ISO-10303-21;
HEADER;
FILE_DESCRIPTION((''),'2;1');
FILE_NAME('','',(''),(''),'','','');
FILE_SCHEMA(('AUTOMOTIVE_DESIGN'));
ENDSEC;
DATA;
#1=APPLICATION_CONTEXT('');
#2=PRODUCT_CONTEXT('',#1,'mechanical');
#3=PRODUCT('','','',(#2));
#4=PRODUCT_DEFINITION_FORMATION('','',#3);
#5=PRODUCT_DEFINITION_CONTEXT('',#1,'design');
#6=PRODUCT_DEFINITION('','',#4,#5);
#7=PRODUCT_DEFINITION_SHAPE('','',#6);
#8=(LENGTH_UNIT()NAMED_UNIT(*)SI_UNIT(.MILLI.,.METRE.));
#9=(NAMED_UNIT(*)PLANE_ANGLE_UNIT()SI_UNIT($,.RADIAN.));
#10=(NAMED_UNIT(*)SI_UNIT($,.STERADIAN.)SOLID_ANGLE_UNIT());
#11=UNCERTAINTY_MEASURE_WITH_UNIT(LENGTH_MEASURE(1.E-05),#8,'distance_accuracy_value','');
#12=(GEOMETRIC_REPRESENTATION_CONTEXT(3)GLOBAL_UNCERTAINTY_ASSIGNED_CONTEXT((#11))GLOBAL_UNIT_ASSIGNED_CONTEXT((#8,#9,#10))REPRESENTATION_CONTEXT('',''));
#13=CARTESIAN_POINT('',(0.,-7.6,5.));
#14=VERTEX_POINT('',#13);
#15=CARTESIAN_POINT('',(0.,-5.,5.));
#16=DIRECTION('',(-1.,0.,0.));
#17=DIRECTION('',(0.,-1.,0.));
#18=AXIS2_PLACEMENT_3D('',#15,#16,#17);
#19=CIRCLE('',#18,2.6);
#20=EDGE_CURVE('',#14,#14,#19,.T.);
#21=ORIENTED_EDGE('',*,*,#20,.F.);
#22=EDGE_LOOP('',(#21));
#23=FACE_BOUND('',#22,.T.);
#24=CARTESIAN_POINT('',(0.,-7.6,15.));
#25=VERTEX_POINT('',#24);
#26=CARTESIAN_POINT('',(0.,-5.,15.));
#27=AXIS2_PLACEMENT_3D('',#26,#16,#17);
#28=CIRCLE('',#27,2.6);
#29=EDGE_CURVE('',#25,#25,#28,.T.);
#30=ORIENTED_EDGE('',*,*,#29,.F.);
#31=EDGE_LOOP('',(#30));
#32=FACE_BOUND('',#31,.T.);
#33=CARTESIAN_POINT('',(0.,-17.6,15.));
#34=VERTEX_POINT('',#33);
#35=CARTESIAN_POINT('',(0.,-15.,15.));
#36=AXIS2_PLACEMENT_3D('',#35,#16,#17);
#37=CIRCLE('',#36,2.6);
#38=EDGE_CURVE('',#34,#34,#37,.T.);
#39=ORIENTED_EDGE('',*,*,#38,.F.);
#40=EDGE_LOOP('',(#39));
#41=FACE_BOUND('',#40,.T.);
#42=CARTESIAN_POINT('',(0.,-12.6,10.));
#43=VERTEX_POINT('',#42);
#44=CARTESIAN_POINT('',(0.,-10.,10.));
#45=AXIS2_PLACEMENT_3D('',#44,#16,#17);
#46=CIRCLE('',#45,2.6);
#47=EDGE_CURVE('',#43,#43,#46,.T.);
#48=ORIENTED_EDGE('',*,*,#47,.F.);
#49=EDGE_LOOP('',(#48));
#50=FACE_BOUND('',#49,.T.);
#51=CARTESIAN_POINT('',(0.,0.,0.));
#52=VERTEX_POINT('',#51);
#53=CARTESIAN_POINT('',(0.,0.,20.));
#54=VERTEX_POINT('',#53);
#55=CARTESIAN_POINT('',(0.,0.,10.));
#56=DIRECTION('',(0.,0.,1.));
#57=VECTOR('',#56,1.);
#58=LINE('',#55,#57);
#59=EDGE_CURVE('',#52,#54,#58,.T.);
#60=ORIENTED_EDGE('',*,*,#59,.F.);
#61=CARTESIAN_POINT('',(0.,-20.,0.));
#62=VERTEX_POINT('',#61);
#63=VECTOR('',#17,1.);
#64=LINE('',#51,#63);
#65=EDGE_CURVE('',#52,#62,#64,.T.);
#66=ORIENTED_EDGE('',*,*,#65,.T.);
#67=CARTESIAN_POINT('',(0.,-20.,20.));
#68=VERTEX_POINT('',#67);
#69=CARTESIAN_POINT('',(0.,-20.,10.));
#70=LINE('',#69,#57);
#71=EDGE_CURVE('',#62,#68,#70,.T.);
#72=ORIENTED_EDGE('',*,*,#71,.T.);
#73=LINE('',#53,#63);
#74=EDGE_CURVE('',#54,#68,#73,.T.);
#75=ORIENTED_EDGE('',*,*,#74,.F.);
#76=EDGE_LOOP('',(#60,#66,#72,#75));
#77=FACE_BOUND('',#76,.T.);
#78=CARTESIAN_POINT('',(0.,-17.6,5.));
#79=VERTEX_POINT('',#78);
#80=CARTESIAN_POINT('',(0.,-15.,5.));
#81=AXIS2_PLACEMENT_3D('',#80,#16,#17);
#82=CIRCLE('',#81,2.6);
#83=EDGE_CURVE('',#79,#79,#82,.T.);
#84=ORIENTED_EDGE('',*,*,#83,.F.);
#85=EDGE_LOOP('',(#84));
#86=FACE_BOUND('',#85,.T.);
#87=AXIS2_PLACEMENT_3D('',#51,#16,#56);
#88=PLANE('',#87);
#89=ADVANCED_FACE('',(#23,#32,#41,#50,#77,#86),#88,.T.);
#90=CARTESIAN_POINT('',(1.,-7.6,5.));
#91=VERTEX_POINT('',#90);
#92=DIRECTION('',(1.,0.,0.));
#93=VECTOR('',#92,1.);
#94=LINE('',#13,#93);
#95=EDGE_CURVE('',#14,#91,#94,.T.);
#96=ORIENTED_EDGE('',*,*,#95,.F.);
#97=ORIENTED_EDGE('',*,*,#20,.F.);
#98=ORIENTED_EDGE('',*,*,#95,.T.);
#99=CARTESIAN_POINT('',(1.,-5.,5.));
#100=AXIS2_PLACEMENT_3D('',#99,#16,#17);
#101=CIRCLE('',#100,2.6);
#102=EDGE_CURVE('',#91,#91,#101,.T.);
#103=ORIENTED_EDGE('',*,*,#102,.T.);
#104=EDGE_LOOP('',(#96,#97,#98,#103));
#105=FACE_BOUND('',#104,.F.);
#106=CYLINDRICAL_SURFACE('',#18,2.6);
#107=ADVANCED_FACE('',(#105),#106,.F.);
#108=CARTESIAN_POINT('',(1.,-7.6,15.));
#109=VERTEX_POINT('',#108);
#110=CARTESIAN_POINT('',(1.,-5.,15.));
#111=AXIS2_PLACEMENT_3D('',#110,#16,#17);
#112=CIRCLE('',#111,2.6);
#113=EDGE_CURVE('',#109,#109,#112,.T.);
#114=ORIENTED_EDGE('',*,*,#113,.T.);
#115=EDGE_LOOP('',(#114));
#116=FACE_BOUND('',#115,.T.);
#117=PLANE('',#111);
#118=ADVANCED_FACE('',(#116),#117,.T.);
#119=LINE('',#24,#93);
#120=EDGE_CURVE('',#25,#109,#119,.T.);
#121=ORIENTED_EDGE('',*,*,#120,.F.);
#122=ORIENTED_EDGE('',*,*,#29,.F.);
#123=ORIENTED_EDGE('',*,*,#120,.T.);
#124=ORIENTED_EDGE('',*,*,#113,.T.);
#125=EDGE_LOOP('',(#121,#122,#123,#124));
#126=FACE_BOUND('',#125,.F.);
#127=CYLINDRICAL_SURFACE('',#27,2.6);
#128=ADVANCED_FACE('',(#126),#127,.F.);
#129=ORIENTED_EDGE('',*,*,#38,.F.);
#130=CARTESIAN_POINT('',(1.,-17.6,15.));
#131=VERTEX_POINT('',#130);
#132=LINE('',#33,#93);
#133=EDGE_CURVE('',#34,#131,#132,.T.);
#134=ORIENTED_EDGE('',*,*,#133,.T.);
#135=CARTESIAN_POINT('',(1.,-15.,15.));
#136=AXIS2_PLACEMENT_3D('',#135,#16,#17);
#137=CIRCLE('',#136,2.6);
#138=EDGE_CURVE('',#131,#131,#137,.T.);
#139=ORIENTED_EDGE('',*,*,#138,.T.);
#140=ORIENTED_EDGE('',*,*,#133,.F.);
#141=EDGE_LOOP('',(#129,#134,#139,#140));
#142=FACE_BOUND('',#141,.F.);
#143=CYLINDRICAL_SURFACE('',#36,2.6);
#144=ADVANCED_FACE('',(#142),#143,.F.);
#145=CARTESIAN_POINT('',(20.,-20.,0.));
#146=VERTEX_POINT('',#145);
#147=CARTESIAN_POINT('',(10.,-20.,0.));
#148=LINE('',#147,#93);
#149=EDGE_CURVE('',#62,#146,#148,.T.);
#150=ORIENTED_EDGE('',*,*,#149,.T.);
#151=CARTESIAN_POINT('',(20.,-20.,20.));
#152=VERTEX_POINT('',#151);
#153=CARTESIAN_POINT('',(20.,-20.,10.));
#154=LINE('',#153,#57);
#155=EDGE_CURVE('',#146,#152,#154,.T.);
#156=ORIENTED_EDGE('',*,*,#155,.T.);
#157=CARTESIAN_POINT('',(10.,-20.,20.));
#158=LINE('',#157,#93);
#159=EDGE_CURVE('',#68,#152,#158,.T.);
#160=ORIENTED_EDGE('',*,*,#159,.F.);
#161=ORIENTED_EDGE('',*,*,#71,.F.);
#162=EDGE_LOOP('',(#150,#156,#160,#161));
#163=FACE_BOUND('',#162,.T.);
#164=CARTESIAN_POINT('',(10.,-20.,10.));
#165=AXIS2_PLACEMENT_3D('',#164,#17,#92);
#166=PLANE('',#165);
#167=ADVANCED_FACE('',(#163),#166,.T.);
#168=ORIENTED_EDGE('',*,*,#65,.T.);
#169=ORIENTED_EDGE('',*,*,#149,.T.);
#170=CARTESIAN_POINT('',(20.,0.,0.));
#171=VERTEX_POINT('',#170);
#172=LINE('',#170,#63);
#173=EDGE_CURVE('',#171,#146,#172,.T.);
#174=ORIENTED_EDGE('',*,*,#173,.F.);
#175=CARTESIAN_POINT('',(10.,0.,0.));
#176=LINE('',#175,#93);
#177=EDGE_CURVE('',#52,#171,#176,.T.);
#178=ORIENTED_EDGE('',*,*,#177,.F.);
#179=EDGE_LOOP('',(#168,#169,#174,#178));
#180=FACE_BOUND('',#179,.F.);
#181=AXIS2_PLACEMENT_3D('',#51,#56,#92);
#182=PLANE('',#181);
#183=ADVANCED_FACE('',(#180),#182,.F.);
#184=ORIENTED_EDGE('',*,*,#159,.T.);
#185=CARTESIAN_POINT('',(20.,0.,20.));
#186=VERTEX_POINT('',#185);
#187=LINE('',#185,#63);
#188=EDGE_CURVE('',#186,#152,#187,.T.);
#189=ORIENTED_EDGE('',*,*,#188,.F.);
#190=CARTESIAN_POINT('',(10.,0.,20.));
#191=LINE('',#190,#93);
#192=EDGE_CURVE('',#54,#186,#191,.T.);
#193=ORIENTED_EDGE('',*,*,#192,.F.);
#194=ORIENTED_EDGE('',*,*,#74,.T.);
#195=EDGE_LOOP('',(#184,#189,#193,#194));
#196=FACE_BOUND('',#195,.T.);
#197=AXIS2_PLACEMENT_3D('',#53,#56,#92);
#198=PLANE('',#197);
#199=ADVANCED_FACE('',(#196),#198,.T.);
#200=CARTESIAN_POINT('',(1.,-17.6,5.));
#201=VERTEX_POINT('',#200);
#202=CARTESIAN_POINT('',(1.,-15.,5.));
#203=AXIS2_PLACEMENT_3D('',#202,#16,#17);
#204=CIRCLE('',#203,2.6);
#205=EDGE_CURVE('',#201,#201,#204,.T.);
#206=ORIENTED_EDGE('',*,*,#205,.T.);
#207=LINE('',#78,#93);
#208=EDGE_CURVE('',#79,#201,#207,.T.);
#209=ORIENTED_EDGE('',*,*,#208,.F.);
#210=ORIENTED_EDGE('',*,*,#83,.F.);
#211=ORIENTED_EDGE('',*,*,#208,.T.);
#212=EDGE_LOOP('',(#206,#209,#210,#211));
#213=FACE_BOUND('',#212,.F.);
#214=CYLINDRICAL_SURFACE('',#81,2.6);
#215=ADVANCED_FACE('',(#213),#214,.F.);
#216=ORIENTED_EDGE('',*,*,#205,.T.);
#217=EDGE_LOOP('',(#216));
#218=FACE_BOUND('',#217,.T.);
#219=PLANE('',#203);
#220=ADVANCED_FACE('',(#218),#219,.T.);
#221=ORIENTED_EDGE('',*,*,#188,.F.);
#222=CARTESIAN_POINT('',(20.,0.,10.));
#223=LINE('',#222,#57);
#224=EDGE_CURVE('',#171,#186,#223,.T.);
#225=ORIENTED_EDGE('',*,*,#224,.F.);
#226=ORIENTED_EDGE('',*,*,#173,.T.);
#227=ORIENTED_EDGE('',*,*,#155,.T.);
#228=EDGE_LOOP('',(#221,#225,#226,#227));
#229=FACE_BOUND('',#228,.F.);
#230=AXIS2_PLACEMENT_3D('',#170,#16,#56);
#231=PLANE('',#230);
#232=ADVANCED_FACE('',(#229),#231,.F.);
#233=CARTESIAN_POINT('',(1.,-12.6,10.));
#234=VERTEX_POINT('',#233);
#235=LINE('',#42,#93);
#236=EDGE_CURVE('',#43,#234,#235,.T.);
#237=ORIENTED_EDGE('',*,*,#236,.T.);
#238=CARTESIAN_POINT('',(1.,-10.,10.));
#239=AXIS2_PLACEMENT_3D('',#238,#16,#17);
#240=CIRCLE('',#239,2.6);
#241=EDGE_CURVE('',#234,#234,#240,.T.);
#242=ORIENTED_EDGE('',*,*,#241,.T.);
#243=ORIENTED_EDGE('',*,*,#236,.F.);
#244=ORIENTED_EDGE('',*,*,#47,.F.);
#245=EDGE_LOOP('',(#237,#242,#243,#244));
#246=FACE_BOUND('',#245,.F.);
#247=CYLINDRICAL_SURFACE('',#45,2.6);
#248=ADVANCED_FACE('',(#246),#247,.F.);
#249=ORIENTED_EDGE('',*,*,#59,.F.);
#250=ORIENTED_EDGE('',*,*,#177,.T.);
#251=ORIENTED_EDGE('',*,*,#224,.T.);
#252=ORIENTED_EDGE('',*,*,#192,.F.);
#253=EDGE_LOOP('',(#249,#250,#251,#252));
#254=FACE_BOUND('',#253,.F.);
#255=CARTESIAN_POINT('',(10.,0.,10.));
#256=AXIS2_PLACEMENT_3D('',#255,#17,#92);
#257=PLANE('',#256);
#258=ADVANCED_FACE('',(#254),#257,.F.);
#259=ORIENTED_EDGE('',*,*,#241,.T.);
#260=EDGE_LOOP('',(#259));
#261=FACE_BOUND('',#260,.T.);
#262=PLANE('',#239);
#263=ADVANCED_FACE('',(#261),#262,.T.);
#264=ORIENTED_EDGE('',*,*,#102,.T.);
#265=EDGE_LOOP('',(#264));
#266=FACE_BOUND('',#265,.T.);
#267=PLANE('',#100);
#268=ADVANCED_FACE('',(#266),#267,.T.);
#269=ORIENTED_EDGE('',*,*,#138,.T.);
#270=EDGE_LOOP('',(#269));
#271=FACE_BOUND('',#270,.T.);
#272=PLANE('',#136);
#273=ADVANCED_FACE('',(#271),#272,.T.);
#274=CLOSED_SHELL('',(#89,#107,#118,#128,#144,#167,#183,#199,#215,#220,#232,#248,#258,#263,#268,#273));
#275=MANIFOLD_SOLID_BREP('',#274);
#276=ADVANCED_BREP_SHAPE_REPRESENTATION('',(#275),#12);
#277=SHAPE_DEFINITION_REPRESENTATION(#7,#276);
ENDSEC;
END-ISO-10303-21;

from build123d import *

# Parameters (mm, degrees)
F0_W     = 20
F0_H     = 20
F1_DEPTH = 20
F2_R     = 2.6
F3_DEPTH = 1


with BuildPart() as f1:
    # F0 (on Front) → F1 (new body)
    with BuildSketch(Plane.XZ):
        with Locations((10, 10)):
            Rectangle(F0_W, F0_H)
    extrude(amount=F1_DEPTH)

    # F2 (on face) → F3 (cut)
    with BuildSketch(Plane(origin=(0, 0, 0), x_dir=(0, -1, 0), z_dir=(-1, 0, 0))):
        with Locations((10, 10)):
            Circle(F2_R)
        with Locations((5, 15)):
            Circle(F2_R)
        with Locations((15, 15)):
            Circle(F2_R)
        with Locations((5, 5)):
            Circle(F2_R)
        with Locations((15, 5)):
            Circle(F2_R)
    extrude(amount=-F3_DEPTH, mode=Mode.SUBTRACT)


solid = f1.part
